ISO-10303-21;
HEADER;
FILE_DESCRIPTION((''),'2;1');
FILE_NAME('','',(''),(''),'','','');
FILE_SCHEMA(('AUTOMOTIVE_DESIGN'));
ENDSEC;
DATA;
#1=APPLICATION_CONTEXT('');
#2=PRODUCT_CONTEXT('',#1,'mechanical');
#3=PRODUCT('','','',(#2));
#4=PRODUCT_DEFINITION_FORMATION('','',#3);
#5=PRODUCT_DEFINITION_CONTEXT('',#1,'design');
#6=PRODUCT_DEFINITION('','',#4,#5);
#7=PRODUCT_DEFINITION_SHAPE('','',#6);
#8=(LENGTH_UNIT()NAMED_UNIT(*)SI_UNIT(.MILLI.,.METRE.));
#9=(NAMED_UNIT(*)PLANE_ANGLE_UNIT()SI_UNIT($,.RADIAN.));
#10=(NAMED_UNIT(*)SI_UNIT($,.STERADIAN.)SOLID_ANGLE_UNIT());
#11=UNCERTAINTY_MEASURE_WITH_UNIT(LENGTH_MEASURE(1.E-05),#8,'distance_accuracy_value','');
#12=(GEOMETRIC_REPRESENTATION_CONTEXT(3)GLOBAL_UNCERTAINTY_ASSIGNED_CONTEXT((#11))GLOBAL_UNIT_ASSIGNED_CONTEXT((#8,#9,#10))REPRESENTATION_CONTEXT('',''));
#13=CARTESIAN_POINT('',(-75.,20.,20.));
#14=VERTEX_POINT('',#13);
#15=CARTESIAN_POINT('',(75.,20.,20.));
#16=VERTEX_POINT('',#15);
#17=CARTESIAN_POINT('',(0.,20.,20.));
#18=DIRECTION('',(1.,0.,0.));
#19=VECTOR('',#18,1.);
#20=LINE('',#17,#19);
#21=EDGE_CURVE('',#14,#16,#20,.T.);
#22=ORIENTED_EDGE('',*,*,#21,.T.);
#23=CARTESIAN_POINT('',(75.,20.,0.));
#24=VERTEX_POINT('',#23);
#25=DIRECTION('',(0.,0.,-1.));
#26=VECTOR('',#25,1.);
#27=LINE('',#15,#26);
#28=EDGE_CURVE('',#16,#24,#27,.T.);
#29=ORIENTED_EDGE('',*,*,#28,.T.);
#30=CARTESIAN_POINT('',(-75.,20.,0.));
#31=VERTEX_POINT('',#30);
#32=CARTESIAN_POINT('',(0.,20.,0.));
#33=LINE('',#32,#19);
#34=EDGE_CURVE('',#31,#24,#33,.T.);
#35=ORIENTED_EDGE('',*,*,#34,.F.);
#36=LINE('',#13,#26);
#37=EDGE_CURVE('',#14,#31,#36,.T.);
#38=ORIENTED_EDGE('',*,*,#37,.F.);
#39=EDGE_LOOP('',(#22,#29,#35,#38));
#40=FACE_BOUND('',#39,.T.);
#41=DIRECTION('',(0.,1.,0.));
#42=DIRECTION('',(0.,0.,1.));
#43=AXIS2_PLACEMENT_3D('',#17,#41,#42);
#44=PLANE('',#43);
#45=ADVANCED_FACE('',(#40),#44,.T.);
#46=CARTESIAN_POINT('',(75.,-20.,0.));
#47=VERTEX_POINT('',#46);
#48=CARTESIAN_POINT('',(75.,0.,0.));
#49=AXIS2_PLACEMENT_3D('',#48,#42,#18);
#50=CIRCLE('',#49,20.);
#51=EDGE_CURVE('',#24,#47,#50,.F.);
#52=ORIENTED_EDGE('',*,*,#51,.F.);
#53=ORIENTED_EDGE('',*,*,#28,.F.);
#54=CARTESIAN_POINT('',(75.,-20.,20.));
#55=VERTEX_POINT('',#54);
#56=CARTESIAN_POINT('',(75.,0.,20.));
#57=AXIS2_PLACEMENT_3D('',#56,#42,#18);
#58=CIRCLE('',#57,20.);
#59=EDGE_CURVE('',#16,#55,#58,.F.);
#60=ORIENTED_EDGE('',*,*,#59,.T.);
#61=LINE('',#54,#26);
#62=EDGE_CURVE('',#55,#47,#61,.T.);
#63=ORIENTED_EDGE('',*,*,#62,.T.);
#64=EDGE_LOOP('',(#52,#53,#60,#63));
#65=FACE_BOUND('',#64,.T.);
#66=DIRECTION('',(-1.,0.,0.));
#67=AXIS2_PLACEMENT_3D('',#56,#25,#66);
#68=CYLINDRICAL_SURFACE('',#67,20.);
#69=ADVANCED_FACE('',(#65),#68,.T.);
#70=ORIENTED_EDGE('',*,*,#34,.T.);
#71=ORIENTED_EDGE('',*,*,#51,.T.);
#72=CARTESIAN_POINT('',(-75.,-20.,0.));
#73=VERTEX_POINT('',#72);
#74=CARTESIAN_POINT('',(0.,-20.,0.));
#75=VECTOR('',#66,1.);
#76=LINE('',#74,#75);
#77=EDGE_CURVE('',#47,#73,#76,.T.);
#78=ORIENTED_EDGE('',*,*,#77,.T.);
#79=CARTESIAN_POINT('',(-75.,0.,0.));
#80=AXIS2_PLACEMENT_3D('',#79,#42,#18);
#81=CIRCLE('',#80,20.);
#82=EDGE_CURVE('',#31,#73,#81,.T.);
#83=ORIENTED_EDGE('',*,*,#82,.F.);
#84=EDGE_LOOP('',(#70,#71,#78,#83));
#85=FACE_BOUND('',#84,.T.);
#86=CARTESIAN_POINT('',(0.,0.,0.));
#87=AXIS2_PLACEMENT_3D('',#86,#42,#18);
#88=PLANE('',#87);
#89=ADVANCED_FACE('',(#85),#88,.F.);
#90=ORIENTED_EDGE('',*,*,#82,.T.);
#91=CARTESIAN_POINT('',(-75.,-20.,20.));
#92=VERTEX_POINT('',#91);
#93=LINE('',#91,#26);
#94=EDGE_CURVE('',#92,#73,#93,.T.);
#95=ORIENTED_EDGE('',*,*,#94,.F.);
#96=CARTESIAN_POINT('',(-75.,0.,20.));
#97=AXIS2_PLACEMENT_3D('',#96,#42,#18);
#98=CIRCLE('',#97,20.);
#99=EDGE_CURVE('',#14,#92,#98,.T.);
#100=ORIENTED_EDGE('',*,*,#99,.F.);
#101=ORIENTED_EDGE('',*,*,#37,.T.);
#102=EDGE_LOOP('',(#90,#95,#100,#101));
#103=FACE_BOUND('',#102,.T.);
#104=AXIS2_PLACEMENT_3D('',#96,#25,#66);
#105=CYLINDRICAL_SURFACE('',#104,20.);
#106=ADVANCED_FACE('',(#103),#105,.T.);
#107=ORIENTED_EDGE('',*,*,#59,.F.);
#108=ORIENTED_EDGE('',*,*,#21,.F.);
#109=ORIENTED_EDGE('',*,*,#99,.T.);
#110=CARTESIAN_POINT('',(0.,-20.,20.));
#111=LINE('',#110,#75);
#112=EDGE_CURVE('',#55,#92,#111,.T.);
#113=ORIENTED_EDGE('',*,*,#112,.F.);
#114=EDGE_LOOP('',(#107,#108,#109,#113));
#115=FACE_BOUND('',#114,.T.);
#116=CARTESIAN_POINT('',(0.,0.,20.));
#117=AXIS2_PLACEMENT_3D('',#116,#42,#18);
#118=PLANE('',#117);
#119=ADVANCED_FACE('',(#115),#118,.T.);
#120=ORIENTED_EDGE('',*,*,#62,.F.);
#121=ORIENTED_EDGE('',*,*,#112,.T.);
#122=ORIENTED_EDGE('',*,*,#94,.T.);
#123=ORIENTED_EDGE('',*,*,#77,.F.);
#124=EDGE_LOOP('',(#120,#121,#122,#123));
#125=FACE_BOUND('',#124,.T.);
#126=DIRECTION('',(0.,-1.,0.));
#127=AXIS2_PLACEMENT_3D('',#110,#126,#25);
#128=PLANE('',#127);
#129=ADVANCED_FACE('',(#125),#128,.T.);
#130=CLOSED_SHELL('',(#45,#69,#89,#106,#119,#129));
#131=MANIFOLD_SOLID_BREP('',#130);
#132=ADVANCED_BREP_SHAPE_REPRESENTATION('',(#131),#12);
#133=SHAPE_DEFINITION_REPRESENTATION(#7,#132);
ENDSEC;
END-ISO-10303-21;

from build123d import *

# Parameters (mm, degrees)
EXTRUDE_1_DEPTH = 20


with BuildPart() as part:
    # 草图1 → 凸台-拉伸1 (new body)
    with BuildSketch(Plane.XY):
        with BuildLine():
            Line((-75, 20), (75, 20))
            ThreePointArc((75, 20), (95, 0), (75, -20))
            Line((75, -20), (-75, -20))
            ThreePointArc((-75, -20), (-95, 0), (-75, 20))
        make_face()
    extrude(amount=EXTRUDE_1_DEPTH)


solid = part.part
